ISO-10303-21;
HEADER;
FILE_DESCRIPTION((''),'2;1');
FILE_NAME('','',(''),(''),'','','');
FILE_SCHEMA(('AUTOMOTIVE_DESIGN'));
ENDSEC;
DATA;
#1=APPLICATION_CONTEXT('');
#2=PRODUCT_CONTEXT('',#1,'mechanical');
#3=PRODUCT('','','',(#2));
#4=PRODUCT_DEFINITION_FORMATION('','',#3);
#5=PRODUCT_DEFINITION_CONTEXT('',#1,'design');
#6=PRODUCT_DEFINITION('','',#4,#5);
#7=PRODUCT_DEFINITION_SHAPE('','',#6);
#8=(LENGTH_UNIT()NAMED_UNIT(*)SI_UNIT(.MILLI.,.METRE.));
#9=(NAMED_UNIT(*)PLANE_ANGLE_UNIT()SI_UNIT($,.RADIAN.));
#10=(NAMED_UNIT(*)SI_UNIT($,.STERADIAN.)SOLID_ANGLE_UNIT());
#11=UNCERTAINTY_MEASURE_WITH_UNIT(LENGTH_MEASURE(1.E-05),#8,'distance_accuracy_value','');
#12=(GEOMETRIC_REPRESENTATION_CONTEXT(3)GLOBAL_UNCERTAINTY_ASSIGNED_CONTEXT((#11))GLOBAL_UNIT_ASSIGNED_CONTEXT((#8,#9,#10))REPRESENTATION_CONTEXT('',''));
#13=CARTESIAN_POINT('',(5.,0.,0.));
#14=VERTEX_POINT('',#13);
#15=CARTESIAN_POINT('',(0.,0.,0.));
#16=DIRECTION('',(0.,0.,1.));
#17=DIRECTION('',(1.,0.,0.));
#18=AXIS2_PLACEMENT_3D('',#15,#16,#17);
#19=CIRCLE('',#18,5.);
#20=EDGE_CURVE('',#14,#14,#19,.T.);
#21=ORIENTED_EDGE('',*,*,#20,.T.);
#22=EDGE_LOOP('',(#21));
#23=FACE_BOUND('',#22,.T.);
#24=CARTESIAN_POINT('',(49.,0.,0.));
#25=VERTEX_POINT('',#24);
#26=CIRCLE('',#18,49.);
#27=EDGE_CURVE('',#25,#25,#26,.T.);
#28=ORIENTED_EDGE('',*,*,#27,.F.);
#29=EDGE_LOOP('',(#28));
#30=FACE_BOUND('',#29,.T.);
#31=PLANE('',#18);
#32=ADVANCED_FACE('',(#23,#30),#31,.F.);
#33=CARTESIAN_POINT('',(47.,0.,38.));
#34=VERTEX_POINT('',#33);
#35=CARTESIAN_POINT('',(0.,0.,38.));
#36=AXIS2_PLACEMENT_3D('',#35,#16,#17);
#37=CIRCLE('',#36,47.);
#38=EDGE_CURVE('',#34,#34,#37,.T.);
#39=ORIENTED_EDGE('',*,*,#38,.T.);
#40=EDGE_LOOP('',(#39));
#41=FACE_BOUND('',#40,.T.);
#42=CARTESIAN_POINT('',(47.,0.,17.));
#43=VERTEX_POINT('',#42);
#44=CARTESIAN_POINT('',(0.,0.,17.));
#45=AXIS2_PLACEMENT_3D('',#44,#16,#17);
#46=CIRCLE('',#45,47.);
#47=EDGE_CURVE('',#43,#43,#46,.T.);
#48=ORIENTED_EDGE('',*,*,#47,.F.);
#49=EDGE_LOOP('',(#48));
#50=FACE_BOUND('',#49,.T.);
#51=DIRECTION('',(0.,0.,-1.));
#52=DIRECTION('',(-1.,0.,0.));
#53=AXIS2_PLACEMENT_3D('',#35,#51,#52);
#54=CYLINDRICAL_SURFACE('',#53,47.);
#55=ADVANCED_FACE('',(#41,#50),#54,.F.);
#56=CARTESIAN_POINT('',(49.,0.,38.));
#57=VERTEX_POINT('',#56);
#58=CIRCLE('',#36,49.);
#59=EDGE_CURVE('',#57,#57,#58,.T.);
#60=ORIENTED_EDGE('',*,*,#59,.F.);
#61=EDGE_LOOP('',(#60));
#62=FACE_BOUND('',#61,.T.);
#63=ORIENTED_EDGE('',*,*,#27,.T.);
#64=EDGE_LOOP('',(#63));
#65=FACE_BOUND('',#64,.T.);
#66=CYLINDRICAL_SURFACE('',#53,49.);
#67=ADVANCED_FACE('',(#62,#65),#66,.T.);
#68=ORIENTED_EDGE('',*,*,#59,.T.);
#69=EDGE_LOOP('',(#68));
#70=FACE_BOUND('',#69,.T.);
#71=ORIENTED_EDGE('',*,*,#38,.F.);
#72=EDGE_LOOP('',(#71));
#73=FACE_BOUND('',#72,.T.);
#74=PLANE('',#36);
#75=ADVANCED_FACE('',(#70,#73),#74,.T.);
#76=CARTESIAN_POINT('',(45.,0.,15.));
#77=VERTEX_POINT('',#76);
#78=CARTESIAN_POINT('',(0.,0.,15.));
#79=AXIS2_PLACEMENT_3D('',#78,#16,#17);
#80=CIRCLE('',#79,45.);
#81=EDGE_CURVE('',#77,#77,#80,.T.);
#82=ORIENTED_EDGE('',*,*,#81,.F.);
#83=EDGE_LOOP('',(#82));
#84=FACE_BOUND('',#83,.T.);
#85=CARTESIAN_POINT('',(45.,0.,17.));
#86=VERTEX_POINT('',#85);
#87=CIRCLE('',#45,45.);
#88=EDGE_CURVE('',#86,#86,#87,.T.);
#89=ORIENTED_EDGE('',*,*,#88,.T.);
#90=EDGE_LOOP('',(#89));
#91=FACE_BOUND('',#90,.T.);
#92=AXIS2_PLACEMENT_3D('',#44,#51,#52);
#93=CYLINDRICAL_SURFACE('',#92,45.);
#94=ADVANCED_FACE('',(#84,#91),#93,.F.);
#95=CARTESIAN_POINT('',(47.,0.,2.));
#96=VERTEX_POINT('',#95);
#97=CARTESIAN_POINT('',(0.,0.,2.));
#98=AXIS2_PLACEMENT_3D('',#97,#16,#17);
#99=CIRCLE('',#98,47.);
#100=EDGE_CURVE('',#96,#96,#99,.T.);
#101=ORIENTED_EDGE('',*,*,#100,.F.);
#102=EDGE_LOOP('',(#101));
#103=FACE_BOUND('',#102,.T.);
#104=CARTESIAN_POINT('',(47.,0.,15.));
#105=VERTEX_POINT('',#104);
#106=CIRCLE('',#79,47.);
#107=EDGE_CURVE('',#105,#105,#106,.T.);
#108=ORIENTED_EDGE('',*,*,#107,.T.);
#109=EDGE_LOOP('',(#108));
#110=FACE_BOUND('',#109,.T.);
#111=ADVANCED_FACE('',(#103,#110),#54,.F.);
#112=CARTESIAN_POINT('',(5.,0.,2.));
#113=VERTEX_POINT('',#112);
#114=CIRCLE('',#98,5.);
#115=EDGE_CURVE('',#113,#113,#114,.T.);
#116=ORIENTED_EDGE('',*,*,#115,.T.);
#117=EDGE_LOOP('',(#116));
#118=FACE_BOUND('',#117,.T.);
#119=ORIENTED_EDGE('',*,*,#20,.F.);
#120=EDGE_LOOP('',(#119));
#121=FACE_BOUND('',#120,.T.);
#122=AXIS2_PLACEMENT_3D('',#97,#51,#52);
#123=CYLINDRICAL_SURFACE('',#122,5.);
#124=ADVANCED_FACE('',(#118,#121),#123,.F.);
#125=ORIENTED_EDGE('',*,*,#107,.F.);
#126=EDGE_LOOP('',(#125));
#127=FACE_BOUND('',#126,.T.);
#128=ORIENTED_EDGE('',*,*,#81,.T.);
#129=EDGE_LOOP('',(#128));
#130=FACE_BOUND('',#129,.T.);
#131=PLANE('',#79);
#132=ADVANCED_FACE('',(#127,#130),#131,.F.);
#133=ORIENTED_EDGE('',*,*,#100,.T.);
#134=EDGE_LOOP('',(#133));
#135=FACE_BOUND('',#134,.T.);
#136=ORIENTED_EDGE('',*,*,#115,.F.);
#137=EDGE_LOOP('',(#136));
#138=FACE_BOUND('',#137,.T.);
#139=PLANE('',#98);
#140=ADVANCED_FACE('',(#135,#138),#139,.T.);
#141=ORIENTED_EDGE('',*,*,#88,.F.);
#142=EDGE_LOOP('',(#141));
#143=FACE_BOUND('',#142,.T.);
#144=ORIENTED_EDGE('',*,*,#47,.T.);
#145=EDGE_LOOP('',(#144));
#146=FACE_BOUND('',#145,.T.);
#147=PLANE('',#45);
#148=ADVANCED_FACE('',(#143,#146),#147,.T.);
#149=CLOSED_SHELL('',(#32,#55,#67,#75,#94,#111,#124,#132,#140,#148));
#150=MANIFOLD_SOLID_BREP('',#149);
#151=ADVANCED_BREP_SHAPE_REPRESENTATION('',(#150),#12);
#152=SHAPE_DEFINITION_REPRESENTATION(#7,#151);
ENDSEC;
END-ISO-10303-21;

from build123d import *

# Parameters (mm, degrees)
CROQUIS1_R              = 49
CROQUIS1_R_2            = 47
SALIENTE_EXTRUIR1_DEPTH = 38
CROQUIS2_R              = 49
CROQUIS2_R_2            = 5
SALIENTE_EXTRUIR3_DEPTH = 2
SALIENTE_EXTRUIR4_START = 15
CROQUIS3_R              = 49
CROQUIS3_R_2            = 45
SALIENTE_EXTRUIR4_DEPTH = 2


with BuildPart() as part:
    # Croquis1 → Saliente-Extruir1 (new body)
    with BuildSketch(Plane.XY):
        Circle(CROQUIS1_R)
        Circle(CROQUIS1_R_2, mode=Mode.SUBTRACT)
    extrude(amount=SALIENTE_EXTRUIR1_DEPTH)

    # Croquis2 → Saliente-Extruir3 (add)
    with BuildSketch(Plane.XY):
        Circle(CROQUIS2_R)
        Circle(CROQUIS2_R_2, mode=Mode.SUBTRACT)
    extrude(amount=SALIENTE_EXTRUIR3_DEPTH)

    # Croquis3 → Saliente-Extruir4 (add)
    with BuildSketch(Plane.XY.offset(SALIENTE_EXTRUIR4_START)):
        Circle(CROQUIS3_R)
        Circle(CROQUIS3_R_2, mode=Mode.SUBTRACT)
    extrude(amount=SALIENTE_EXTRUIR4_DEPTH)


solid = part.part
